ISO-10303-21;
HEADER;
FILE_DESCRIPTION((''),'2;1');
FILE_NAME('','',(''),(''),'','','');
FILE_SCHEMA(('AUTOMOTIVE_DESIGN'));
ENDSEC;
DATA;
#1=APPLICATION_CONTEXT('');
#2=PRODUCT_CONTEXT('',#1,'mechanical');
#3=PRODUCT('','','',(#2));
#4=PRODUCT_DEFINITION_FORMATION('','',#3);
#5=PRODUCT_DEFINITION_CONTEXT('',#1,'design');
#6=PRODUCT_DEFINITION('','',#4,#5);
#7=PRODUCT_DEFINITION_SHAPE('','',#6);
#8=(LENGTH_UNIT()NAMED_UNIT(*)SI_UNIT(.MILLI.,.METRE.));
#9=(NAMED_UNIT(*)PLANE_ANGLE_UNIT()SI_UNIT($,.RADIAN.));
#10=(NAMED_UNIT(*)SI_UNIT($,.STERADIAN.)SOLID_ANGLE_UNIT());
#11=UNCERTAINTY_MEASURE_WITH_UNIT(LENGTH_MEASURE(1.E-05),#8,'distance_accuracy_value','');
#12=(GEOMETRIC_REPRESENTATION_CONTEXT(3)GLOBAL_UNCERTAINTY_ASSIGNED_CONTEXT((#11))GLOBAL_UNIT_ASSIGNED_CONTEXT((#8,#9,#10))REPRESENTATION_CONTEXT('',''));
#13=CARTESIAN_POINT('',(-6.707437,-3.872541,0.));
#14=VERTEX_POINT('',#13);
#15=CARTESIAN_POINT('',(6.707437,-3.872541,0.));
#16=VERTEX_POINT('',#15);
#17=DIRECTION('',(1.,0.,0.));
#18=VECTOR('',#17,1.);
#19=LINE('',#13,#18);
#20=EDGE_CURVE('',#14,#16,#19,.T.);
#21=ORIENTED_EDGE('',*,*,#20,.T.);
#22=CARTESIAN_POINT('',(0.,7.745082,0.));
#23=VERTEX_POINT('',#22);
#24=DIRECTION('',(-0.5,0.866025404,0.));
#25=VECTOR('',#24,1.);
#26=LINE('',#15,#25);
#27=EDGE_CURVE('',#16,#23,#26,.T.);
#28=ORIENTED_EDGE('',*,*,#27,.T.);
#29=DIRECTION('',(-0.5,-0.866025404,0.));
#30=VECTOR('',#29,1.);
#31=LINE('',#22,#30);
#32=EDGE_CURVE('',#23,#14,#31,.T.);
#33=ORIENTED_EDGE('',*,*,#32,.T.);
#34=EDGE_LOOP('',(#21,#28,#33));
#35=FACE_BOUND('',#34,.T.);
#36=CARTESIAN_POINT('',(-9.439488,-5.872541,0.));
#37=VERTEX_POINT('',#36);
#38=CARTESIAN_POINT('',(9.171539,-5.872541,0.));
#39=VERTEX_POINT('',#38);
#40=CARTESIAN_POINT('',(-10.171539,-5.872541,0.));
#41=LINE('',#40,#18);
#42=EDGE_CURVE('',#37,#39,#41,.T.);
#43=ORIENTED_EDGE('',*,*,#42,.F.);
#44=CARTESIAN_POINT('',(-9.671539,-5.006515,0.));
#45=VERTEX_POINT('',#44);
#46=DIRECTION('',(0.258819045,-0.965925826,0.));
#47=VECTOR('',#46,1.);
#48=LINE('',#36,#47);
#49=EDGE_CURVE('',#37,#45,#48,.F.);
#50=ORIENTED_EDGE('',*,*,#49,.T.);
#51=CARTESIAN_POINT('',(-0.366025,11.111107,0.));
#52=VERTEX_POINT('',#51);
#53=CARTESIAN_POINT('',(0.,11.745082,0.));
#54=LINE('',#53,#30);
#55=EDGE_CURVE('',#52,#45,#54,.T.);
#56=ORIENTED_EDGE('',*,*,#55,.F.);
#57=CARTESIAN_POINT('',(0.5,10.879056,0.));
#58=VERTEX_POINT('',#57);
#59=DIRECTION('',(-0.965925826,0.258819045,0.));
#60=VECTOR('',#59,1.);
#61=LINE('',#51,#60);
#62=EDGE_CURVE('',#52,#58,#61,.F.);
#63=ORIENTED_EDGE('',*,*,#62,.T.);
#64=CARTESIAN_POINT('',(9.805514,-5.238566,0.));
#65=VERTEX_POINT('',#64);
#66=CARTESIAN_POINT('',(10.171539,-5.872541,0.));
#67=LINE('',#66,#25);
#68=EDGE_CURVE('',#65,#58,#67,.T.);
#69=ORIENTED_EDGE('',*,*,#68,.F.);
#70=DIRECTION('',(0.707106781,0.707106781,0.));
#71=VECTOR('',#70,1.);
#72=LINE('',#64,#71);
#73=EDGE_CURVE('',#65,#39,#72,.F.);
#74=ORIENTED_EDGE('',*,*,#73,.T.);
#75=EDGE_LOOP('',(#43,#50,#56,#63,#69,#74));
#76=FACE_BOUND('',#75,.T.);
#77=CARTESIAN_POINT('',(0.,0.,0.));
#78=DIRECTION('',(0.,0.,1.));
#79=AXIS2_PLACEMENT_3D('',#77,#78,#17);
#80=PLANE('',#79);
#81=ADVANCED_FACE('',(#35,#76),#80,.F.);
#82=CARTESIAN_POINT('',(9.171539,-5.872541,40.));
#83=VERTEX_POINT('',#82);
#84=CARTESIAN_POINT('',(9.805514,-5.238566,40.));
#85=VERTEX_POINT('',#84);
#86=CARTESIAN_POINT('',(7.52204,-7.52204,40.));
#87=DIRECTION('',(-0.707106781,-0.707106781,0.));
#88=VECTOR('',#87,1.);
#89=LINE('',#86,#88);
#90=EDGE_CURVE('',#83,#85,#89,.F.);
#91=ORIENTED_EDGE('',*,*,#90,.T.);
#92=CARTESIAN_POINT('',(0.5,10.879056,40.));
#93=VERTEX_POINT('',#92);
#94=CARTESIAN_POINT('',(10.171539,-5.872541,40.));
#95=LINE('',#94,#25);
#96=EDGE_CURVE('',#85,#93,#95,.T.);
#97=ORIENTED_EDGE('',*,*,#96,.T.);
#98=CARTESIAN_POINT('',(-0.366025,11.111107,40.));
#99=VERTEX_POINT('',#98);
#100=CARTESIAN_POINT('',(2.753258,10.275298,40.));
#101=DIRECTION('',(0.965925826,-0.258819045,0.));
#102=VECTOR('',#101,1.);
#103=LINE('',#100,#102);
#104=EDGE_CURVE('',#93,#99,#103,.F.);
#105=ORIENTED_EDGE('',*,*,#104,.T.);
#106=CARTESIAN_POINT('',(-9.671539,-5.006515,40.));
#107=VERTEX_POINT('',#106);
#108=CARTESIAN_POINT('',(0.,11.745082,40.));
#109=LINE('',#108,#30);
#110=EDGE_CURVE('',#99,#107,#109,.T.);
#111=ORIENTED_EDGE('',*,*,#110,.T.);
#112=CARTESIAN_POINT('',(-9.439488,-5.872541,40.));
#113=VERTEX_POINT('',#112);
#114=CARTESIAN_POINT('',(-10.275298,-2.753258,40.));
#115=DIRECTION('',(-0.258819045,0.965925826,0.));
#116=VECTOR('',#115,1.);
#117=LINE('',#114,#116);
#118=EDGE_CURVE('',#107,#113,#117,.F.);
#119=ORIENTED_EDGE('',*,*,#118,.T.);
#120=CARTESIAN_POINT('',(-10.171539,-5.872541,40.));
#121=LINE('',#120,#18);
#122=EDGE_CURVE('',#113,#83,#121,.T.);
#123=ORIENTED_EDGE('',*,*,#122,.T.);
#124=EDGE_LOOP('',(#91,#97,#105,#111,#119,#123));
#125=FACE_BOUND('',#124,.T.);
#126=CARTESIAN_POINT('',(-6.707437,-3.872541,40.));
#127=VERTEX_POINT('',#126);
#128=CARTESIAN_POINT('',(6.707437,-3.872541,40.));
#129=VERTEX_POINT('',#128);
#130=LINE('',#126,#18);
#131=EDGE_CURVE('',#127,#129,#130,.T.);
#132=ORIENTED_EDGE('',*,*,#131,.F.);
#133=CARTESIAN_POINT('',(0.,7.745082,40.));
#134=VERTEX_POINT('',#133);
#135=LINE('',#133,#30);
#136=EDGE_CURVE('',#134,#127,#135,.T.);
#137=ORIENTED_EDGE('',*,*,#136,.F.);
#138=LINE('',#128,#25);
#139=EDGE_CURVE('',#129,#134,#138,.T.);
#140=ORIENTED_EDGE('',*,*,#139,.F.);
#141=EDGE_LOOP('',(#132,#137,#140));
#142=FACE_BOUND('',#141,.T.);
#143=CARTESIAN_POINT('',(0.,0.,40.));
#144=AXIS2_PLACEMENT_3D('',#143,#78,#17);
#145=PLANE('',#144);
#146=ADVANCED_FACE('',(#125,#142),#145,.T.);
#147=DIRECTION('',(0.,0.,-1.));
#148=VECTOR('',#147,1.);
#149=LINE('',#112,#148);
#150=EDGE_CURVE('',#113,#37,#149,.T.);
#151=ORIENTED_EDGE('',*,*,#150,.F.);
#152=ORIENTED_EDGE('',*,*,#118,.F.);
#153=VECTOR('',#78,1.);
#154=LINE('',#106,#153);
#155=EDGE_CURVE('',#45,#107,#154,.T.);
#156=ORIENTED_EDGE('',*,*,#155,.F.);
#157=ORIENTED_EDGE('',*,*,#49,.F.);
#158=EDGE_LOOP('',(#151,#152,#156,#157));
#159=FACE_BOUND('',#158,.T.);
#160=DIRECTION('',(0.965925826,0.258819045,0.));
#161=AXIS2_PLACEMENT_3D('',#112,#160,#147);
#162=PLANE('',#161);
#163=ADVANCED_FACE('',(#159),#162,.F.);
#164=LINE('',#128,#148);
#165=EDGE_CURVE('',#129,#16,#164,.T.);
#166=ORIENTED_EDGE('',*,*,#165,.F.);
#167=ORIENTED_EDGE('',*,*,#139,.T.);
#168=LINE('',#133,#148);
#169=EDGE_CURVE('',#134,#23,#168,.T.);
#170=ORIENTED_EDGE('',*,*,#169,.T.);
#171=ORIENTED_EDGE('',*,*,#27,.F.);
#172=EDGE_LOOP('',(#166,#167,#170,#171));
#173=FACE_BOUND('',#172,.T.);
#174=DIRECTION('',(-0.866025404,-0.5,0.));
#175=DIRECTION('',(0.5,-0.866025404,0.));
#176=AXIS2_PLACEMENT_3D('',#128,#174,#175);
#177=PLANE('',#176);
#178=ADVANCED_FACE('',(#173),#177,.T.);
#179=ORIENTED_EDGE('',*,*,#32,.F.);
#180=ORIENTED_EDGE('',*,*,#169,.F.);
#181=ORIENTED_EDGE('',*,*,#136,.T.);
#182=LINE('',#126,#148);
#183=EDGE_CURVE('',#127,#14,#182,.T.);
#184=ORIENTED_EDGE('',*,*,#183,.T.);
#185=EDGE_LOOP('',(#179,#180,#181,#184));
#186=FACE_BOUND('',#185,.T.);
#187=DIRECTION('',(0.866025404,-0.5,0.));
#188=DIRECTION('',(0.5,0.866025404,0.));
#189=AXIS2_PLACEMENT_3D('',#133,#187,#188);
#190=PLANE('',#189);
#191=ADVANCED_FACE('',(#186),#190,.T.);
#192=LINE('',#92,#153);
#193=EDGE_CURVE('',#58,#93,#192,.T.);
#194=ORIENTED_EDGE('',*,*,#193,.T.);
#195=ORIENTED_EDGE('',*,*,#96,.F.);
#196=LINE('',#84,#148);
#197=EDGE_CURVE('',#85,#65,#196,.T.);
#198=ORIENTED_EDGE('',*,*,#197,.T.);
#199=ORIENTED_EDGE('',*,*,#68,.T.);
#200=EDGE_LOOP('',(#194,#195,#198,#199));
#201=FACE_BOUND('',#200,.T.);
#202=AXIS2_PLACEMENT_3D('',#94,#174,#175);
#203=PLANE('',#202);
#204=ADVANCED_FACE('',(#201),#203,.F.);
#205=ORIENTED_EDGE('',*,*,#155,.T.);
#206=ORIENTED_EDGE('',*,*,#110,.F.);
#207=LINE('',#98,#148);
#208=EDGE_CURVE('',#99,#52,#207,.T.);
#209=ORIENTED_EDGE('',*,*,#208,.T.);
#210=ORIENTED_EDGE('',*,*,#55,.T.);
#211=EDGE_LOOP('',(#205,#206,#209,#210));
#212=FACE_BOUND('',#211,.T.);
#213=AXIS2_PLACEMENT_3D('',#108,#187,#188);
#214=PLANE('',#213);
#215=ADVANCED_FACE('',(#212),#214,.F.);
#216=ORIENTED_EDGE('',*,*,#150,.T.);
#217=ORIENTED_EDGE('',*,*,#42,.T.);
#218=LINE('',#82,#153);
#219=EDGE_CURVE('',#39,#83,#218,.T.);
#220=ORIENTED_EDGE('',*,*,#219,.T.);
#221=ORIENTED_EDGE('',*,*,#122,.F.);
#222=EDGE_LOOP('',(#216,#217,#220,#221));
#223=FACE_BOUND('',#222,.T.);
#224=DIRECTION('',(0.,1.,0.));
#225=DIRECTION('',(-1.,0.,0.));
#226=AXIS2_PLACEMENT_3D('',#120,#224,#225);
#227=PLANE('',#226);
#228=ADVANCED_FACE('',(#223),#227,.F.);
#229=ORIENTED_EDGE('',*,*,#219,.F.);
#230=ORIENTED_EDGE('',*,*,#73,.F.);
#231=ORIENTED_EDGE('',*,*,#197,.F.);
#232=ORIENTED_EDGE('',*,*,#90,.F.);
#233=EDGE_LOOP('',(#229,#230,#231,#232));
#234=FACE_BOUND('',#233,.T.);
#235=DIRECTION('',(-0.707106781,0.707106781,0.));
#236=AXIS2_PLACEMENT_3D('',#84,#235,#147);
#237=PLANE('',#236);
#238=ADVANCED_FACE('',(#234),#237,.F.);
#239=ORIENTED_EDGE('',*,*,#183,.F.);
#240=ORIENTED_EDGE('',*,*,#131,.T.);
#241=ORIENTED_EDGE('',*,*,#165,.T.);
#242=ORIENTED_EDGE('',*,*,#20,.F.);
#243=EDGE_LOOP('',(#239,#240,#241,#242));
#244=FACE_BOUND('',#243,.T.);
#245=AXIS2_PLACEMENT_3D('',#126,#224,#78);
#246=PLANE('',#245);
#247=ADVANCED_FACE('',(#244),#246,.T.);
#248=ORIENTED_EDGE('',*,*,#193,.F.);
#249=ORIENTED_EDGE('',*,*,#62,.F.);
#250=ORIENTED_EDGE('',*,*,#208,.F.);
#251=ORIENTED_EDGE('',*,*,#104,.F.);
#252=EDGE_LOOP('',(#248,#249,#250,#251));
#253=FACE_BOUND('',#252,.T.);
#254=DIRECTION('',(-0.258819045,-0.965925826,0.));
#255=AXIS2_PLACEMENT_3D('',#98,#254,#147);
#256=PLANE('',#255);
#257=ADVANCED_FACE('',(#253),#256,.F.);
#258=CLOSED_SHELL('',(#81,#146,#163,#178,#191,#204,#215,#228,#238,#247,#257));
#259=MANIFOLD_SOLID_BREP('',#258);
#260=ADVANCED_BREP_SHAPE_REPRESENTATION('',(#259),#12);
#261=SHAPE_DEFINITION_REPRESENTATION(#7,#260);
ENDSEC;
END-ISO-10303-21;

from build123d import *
from OCP.BRepFilletAPI import BRepFilletAPI_MakeChamfer

# Parameters (mm, degrees)
BOSS_EXTRUDE1_DEPTH = 40
CHAMFER1_SIZE       = 1
CHAMFER1_SIZE2      = 0.732050808


with BuildPart() as part:
    # Sketch1 → Boss-Extrude1 (new body)
    with BuildSketch(Plane.XY):
        Polygon((0, 11.745081595), (-10.171539031, -5.872540798), (10.171539031, -5.872540798), align=None)
        Polygon((0, 7.745081595), (-6.707437416, -3.872540798), (6.707437416, -3.872540798), align=None, mode=Mode.SUBTRACT)
    extrude(amount=BOSS_EXTRUDE1_DEPTH)

    # Chamfer1: one chamfer whose edges measure the first distance from different faces: ONE call of the kernel's chamfer builder (chamfer() names one face for all edges)
    chamfer1_edges_1 = [part.edges().sort_by_distance(p)[0] for p in [
        (10.171539031, -5.872540798, 20),
    ]]
    chamfer1_side_1 = [part.faces().sort_by_distance(p)[0] for p in [
        (0, -5.872540798, 20),
    ]]
    chamfer1_edges_2 = [part.edges().sort_by_distance(p)[0] for p in [
        (-10.171539031, -5.872540798, 20),
    ]]
    chamfer1_side_2 = [part.faces().sort_by_distance(p)[0] for p in [
        (-5.085769515, 2.936270399, 20),
    ]]
    chamfer1_edges_3 = [part.edges().sort_by_distance(p)[0] for p in [
        (0, 11.745081595, 20),
    ]]
    chamfer1_side_3 = [part.faces().sort_by_distance(p)[0] for p in [
        (5.085769515, 2.936270399, 20),
    ]]
    chamfer1 = BRepFilletAPI_MakeChamfer(part.part.solid().wrapped)
    for e in chamfer1_edges_1:
        chamfer1.Add(CHAMFER1_SIZE, CHAMFER1_SIZE2, e.wrapped, chamfer1_side_1[0].wrapped)  # the first distance lies on this face
    for e in chamfer1_edges_2:
        chamfer1.Add(CHAMFER1_SIZE, CHAMFER1_SIZE2, e.wrapped, chamfer1_side_2[0].wrapped)  # the first distance lies on this face
    for e in chamfer1_edges_3:
        chamfer1.Add(CHAMFER1_SIZE, CHAMFER1_SIZE2, e.wrapped, chamfer1_side_3[0].wrapped)  # the first distance lies on this face
    add(Compound.cast(chamfer1.Shape()), mode=Mode.REPLACE)


solid = part.part
